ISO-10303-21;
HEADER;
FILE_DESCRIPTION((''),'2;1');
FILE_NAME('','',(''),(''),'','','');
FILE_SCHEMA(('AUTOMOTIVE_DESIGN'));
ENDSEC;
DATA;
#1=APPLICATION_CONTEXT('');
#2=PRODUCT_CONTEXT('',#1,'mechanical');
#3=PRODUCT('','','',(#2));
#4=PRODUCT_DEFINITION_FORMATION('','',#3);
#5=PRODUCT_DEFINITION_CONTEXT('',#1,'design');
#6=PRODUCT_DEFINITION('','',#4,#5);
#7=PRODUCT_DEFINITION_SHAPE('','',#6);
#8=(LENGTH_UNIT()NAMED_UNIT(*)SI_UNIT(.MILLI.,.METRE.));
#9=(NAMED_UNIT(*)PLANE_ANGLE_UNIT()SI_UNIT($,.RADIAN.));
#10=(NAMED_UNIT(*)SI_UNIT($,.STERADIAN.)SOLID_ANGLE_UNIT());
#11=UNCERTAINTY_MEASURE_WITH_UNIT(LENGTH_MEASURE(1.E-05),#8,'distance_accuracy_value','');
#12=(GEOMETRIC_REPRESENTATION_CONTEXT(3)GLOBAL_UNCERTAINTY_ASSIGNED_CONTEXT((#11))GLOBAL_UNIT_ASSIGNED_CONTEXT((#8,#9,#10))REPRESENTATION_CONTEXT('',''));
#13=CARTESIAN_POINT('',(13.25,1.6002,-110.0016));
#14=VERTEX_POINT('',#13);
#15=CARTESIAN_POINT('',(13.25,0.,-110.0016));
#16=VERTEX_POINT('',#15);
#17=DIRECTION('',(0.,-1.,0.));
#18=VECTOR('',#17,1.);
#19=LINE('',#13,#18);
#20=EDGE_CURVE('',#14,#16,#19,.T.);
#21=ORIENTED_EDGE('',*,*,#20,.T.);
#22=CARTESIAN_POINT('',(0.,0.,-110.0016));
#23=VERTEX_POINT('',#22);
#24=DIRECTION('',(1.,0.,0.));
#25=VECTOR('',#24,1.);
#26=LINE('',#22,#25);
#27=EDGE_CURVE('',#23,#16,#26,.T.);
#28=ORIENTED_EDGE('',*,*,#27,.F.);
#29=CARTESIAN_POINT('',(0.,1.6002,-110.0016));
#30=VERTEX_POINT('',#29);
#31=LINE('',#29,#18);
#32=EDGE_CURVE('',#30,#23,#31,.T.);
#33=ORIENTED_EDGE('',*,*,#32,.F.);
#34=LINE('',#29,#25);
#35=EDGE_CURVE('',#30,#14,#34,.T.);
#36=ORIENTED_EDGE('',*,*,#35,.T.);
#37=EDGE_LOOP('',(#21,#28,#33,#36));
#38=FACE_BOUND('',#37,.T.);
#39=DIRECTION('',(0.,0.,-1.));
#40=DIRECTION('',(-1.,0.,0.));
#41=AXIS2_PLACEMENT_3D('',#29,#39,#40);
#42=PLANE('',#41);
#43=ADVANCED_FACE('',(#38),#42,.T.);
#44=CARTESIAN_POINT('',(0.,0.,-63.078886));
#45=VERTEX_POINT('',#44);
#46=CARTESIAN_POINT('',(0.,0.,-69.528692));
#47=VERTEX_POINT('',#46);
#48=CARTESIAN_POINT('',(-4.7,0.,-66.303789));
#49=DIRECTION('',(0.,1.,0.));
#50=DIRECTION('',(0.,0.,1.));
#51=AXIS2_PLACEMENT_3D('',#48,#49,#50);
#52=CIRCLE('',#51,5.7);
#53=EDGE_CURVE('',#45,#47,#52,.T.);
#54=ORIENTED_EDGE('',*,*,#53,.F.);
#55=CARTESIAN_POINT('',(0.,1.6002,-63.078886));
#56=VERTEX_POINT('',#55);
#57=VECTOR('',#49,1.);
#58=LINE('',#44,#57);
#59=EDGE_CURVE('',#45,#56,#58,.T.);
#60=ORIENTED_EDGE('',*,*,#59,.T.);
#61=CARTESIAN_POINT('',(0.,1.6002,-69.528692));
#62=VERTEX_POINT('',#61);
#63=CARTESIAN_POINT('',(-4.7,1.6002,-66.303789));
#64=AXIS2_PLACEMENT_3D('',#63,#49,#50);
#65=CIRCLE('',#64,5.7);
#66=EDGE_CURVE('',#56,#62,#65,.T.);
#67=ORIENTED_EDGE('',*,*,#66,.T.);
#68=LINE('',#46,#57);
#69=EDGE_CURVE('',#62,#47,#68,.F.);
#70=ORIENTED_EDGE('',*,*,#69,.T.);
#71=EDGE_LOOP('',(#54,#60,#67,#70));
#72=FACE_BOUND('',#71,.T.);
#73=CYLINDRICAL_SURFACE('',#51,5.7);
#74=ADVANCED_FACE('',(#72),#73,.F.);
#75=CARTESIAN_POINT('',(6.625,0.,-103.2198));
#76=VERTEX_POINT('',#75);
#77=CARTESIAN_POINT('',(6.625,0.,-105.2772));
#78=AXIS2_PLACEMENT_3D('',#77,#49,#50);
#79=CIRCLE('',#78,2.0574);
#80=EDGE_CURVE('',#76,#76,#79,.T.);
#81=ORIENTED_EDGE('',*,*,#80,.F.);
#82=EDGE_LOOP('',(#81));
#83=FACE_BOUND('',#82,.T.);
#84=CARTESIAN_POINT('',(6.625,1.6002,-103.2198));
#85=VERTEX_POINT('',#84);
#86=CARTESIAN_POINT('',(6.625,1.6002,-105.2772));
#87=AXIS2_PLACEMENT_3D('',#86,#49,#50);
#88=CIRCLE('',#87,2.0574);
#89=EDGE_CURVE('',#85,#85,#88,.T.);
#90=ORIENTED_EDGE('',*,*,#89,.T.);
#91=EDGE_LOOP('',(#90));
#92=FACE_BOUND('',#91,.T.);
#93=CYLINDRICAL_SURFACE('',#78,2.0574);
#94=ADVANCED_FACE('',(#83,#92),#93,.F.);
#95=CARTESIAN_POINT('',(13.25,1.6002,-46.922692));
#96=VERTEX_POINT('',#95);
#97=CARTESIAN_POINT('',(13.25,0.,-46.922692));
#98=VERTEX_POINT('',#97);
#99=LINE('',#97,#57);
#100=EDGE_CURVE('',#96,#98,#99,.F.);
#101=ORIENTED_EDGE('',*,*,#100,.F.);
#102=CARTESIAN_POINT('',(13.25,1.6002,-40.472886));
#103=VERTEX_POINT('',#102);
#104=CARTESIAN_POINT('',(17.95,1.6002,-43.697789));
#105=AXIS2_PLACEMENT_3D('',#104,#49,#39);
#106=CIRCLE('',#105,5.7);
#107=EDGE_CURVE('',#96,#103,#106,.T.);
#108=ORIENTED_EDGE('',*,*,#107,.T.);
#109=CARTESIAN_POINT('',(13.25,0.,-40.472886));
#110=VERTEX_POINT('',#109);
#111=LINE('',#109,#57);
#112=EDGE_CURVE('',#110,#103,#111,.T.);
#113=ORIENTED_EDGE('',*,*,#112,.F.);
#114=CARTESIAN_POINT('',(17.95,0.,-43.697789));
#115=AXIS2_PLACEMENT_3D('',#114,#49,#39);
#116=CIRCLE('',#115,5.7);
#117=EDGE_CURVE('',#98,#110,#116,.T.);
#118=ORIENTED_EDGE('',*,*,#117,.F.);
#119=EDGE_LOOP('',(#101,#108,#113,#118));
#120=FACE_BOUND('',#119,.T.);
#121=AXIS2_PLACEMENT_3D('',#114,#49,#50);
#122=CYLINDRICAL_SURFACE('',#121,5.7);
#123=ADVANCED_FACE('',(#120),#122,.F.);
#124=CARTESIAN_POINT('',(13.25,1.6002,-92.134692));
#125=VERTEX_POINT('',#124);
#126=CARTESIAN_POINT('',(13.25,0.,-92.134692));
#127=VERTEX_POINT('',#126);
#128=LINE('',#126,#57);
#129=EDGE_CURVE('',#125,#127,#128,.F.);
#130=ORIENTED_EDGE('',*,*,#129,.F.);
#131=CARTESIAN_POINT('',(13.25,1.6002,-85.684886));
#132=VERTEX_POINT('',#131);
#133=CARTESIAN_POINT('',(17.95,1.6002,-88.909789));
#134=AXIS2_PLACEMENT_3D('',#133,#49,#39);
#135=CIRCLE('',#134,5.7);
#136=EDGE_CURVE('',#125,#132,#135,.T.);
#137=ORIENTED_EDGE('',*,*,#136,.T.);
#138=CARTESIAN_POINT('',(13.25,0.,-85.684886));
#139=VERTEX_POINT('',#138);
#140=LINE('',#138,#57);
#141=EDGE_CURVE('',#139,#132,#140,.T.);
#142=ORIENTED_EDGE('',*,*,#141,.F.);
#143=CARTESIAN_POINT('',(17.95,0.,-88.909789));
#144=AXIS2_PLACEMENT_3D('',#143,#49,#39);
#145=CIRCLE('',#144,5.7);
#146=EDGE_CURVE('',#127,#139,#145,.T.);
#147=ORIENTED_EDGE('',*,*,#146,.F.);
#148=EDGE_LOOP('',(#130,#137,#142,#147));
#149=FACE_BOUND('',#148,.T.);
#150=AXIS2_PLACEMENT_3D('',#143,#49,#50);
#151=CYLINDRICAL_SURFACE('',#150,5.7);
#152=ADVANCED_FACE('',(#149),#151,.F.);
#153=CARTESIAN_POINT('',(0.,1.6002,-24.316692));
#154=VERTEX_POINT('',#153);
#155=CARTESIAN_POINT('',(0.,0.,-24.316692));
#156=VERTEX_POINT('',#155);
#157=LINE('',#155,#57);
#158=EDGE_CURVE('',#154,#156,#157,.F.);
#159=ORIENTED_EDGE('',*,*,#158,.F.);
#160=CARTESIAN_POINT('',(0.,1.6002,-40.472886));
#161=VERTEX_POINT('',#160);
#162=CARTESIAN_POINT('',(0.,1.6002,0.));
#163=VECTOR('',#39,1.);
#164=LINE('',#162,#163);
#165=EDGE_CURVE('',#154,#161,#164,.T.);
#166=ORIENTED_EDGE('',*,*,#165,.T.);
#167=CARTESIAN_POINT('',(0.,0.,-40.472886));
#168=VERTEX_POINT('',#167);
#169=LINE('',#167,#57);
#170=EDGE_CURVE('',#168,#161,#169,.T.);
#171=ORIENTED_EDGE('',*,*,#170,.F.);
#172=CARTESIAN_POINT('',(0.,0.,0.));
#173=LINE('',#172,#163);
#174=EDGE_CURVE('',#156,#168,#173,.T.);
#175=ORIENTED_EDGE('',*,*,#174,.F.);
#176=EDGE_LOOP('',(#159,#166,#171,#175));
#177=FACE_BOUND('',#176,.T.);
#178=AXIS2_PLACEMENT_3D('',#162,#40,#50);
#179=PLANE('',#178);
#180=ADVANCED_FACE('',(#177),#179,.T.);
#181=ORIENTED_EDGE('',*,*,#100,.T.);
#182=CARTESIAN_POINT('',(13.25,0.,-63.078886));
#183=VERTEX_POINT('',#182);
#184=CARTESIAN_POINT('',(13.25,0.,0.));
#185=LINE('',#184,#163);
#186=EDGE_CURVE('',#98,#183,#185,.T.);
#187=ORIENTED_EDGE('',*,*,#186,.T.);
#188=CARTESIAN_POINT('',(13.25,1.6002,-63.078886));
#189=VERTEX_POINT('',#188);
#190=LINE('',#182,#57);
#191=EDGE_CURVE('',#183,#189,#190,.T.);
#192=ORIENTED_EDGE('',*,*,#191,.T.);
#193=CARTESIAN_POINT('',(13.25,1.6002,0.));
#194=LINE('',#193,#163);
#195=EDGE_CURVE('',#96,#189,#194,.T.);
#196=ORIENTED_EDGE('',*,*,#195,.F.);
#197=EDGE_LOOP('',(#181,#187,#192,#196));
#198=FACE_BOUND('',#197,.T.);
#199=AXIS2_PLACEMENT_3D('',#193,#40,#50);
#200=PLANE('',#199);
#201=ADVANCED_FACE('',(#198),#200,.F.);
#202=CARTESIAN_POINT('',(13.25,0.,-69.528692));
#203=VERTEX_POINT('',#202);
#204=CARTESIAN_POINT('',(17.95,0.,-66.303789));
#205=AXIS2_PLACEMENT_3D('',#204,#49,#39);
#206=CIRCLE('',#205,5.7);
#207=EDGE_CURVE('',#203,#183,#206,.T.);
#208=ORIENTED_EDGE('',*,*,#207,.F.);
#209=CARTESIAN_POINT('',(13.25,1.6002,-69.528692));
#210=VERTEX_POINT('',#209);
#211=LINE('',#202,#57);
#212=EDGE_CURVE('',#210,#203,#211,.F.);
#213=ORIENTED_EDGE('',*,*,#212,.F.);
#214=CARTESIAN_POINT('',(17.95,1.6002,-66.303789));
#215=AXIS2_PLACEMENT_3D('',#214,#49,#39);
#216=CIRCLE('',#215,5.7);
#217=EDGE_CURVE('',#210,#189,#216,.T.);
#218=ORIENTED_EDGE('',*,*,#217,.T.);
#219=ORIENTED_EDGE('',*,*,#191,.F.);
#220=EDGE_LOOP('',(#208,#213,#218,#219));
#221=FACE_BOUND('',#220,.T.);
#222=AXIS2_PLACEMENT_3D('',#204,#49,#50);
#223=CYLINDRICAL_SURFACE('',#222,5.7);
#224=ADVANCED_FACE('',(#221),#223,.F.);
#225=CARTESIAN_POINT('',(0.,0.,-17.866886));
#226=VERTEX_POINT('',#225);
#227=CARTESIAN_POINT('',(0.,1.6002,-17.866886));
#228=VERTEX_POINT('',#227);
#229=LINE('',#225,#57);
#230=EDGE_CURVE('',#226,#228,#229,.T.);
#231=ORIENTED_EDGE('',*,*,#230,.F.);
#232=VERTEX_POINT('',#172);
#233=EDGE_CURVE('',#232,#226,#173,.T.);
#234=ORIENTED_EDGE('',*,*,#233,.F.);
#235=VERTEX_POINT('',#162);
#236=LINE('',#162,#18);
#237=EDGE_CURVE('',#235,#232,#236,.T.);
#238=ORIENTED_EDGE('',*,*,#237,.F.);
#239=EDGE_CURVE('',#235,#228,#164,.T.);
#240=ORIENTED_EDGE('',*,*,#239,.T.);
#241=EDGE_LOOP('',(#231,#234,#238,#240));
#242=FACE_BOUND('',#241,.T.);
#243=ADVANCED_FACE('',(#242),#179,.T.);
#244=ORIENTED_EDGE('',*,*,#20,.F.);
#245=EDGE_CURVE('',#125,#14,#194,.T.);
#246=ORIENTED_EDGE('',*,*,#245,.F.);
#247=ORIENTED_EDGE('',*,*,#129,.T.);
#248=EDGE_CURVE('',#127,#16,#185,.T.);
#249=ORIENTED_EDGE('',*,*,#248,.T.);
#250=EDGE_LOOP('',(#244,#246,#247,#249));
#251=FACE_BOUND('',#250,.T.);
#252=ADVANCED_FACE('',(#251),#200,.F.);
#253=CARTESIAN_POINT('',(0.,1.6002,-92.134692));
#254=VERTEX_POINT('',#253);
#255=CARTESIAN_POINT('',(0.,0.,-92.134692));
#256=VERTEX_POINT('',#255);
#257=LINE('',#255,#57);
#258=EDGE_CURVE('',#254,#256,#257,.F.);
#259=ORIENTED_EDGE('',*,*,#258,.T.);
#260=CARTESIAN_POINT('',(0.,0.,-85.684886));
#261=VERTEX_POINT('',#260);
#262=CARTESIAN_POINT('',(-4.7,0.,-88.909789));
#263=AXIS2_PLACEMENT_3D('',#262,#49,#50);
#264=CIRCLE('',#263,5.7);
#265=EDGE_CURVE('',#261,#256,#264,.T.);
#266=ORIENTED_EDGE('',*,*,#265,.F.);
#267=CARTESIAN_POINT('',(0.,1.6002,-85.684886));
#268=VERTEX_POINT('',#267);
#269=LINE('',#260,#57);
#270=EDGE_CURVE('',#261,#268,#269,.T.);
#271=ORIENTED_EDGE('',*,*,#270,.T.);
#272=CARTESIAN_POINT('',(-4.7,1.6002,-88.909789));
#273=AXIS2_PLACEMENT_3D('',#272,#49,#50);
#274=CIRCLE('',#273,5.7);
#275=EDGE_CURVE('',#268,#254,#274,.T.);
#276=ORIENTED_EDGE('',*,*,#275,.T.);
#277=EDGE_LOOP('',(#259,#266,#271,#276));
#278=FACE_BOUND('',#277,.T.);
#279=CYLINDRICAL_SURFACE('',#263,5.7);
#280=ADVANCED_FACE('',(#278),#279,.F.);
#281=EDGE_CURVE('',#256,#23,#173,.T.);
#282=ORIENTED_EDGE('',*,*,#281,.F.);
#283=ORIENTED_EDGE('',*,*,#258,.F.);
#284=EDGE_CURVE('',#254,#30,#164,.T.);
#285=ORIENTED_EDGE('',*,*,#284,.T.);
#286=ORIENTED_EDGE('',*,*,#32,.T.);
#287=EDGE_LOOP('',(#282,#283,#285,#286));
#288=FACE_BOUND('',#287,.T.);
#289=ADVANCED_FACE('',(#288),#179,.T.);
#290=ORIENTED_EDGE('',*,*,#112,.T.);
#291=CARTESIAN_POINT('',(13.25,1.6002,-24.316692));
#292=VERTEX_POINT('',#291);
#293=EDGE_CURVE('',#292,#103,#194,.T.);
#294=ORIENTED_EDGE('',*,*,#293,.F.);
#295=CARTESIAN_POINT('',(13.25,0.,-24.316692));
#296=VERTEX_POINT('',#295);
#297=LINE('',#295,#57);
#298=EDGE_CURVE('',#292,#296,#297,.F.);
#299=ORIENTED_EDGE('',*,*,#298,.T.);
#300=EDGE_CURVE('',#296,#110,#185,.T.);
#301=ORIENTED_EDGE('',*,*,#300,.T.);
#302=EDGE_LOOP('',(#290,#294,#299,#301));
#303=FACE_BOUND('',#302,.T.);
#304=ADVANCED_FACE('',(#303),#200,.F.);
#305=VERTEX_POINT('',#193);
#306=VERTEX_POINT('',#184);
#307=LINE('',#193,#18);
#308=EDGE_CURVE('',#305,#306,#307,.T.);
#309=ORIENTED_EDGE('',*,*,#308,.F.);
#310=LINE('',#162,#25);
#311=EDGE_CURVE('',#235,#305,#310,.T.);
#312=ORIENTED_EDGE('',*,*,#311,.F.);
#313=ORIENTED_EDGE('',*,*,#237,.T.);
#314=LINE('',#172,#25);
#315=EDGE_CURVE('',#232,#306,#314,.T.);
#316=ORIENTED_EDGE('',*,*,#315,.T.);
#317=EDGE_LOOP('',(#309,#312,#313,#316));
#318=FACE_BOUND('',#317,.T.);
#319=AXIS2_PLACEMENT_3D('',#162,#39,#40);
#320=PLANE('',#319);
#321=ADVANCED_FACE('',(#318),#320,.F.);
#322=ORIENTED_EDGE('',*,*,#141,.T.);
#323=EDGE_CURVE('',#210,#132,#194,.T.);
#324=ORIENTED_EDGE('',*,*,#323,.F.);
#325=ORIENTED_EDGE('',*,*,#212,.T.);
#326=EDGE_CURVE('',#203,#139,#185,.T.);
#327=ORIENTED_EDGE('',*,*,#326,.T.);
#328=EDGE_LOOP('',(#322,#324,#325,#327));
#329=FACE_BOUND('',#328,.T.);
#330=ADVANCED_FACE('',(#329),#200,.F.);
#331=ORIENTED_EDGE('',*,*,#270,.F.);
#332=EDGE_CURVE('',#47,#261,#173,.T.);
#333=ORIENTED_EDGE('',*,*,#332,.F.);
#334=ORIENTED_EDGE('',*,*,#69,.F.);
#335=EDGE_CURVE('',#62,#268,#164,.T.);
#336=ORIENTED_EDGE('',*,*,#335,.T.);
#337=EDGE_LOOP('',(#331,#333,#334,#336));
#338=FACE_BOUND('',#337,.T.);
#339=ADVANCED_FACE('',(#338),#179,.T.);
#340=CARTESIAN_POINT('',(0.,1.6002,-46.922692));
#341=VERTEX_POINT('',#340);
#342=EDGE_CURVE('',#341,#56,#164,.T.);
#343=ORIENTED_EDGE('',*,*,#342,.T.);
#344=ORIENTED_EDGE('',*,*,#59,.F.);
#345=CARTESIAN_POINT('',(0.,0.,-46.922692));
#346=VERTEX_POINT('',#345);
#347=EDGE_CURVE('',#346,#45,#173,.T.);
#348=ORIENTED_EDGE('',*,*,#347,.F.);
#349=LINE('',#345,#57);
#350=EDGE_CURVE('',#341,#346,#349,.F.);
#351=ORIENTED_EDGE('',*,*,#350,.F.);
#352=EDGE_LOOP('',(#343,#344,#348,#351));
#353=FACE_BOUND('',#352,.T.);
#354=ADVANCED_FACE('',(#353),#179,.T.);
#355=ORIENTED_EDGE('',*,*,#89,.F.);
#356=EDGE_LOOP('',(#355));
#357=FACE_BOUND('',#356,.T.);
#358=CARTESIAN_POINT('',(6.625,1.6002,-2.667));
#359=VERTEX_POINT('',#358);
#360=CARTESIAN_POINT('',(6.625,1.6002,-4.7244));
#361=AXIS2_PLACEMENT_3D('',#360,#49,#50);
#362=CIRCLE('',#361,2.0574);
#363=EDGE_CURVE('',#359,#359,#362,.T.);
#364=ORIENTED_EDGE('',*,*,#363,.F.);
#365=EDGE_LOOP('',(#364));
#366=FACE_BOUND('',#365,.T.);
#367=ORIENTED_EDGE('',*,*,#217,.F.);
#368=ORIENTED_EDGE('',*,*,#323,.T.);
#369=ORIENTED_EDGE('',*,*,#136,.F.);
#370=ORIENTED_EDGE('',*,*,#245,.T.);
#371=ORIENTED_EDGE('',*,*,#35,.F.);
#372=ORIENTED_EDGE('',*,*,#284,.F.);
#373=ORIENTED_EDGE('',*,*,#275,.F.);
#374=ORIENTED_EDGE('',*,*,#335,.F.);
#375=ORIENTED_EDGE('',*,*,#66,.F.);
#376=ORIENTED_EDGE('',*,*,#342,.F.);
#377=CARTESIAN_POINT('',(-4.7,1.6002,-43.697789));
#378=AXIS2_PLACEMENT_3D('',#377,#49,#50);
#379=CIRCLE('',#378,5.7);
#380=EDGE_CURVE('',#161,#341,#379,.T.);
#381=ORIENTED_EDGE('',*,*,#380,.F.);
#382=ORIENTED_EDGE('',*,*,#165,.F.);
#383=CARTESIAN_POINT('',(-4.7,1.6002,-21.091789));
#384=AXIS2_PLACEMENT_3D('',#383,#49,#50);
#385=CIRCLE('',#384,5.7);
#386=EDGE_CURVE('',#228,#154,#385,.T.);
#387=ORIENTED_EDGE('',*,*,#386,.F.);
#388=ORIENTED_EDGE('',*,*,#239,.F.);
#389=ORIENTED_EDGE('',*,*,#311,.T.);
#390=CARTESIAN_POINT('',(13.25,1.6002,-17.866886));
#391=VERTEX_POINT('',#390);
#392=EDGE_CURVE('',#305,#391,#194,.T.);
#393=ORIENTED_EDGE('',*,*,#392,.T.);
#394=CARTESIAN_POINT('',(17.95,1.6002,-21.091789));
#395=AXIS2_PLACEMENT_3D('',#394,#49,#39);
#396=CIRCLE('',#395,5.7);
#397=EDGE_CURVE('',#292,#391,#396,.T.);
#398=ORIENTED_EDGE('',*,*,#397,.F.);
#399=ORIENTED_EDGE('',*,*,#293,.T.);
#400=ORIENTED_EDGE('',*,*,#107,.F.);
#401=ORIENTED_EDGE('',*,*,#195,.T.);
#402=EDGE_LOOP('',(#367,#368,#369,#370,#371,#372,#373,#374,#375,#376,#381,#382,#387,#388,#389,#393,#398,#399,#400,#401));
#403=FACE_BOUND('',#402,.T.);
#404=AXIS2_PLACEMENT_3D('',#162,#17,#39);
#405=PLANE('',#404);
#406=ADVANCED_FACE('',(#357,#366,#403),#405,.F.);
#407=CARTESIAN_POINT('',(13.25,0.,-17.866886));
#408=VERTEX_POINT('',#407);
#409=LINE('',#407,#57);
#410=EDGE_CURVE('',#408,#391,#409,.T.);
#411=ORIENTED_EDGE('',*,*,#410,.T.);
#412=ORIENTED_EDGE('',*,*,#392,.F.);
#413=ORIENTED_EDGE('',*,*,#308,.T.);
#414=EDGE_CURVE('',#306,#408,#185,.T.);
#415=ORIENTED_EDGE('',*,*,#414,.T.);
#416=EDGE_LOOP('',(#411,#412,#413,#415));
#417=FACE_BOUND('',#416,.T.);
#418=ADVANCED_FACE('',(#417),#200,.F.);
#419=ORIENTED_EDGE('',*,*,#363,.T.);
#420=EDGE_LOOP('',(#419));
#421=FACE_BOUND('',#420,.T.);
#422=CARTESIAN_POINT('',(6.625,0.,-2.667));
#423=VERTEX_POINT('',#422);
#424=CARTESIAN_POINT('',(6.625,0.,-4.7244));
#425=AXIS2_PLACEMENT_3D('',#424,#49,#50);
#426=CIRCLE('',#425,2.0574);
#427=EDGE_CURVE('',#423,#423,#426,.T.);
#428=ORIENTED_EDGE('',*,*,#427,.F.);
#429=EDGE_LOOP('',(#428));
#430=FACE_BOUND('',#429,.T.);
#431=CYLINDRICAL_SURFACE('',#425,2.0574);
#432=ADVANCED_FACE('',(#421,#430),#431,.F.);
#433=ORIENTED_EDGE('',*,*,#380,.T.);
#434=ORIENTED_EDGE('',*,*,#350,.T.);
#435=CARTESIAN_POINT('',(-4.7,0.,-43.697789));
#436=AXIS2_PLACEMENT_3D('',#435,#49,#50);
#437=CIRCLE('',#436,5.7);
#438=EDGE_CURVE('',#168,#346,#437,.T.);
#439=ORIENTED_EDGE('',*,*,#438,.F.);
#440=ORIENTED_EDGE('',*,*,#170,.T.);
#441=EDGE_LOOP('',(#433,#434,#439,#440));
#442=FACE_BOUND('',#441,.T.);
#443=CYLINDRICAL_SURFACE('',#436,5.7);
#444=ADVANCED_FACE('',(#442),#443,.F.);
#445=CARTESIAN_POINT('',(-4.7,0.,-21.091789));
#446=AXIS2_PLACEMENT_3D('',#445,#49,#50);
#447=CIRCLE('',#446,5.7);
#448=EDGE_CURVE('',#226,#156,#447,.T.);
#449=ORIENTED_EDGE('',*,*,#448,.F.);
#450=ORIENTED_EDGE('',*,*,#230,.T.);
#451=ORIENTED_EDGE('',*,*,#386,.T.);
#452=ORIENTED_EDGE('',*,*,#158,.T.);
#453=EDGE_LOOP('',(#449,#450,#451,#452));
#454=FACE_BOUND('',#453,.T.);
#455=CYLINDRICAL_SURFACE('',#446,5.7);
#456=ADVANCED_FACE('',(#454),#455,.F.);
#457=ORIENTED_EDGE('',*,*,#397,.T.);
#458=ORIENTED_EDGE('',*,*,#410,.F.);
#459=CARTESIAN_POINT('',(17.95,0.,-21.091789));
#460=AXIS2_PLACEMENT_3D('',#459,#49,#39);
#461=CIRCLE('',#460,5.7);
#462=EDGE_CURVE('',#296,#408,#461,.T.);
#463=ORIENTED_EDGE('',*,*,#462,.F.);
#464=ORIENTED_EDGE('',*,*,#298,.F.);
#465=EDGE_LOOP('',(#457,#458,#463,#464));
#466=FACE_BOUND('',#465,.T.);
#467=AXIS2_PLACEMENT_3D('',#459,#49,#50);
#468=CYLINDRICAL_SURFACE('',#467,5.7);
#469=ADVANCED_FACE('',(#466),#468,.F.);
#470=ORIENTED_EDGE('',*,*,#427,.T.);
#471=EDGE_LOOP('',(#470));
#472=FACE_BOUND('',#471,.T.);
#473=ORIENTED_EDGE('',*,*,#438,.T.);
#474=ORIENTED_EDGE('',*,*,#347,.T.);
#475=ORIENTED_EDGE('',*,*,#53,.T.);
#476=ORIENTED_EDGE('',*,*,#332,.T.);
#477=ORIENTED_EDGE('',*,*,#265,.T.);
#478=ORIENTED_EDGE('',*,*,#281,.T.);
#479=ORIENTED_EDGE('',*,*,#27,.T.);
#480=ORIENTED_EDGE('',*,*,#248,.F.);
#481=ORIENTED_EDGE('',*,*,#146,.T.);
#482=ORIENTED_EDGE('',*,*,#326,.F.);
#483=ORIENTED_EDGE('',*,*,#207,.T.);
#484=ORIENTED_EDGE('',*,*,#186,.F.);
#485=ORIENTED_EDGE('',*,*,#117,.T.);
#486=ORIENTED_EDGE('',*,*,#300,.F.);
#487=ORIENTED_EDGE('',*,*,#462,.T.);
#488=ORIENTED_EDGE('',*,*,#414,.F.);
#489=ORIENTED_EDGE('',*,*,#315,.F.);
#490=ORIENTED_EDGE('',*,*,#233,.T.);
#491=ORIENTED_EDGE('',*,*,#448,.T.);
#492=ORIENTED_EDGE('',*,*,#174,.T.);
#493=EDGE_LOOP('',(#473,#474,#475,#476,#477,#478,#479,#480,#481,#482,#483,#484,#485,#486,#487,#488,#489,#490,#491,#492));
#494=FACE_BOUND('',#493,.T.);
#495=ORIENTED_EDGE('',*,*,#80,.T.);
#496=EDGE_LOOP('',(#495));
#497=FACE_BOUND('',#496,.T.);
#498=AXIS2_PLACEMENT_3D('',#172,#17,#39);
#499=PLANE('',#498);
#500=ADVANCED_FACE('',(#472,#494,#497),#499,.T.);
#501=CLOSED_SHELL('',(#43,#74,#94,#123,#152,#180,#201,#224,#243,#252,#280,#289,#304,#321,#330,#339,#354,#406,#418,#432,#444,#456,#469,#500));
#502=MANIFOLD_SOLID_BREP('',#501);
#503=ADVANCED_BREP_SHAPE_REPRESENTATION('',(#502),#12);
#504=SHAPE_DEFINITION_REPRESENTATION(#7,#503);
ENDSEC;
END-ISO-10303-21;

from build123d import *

# Parameters (mm, degrees)
SKETCH1_W           = 13.25
SKETCH1_H           = 110.001600164
BOSS_EXTRUDE1_DEPTH = 1.6002
SKETCH2_R           = 2.0574
CUT_EXTRUDE1_DEPTH  = 111.808281183
SKETCH3_R           = 5.699999998
CUT_EXTRUDE2_DEPTH  = 111.808281183


with BuildPart() as part:
    # Sketch1 → Boss-Extrude1 (new body)
    with BuildSketch(Plane(origin=(0, 0, 0), x_dir=(1, 0, 0), z_dir=(0, 1, 0))):
        with Locations((6.625, 55.000800082)):
            Rectangle(SKETCH1_W, SKETCH1_H)
    extrude(amount=BOSS_EXTRUDE1_DEPTH)

    # Sketch2 → Cut-Extrude1 (cut, through all)
    with BuildSketch(Plane(origin=(0, 1.6002, 0), x_dir=(1, 0, 0), z_dir=(0, 1, 0))):
        with Locations(Location((6.625, 4.7244, 0), (0, 0, 270))):
            Circle(SKETCH2_R)
        with Locations(Location((6.625, 105.277200164, 0), (0, 0, 270))):
            Circle(SKETCH2_R)
    extrude(amount=-CUT_EXTRUDE1_DEPTH, mode=Mode.SUBTRACT)

    # Sketch3 → Cut-Extrude2 (cut, through all)
    with BuildSketch(Plane(origin=(0, 1.6002, 0), x_dir=(1, 0, 0), z_dir=(0, 1, 0))):
        with Locations((-4.699999998, 88.909788652)):
            Circle(SKETCH3_R)
        with Locations((-4.699999998, 66.303788652)):
            Circle(SKETCH3_R)
        with Locations((-4.699999998, 43.697788652)):
            Circle(SKETCH3_R)
        with Locations((-4.699999998, 21.091788652)):
            Circle(SKETCH3_R)
        with Locations((17.949999998, 21.091788652)):
            Circle(SKETCH3_R)
        with Locations((17.949999998, 43.697788652)):
            Circle(SKETCH3_R)
        with Locations((17.949999998, 66.303788652)):
            Circle(SKETCH3_R)
        with Locations((17.949999998, 88.909788652)):
            Circle(SKETCH3_R)
    extrude(amount=-CUT_EXTRUDE2_DEPTH, mode=Mode.SUBTRACT)


solid = part.part
